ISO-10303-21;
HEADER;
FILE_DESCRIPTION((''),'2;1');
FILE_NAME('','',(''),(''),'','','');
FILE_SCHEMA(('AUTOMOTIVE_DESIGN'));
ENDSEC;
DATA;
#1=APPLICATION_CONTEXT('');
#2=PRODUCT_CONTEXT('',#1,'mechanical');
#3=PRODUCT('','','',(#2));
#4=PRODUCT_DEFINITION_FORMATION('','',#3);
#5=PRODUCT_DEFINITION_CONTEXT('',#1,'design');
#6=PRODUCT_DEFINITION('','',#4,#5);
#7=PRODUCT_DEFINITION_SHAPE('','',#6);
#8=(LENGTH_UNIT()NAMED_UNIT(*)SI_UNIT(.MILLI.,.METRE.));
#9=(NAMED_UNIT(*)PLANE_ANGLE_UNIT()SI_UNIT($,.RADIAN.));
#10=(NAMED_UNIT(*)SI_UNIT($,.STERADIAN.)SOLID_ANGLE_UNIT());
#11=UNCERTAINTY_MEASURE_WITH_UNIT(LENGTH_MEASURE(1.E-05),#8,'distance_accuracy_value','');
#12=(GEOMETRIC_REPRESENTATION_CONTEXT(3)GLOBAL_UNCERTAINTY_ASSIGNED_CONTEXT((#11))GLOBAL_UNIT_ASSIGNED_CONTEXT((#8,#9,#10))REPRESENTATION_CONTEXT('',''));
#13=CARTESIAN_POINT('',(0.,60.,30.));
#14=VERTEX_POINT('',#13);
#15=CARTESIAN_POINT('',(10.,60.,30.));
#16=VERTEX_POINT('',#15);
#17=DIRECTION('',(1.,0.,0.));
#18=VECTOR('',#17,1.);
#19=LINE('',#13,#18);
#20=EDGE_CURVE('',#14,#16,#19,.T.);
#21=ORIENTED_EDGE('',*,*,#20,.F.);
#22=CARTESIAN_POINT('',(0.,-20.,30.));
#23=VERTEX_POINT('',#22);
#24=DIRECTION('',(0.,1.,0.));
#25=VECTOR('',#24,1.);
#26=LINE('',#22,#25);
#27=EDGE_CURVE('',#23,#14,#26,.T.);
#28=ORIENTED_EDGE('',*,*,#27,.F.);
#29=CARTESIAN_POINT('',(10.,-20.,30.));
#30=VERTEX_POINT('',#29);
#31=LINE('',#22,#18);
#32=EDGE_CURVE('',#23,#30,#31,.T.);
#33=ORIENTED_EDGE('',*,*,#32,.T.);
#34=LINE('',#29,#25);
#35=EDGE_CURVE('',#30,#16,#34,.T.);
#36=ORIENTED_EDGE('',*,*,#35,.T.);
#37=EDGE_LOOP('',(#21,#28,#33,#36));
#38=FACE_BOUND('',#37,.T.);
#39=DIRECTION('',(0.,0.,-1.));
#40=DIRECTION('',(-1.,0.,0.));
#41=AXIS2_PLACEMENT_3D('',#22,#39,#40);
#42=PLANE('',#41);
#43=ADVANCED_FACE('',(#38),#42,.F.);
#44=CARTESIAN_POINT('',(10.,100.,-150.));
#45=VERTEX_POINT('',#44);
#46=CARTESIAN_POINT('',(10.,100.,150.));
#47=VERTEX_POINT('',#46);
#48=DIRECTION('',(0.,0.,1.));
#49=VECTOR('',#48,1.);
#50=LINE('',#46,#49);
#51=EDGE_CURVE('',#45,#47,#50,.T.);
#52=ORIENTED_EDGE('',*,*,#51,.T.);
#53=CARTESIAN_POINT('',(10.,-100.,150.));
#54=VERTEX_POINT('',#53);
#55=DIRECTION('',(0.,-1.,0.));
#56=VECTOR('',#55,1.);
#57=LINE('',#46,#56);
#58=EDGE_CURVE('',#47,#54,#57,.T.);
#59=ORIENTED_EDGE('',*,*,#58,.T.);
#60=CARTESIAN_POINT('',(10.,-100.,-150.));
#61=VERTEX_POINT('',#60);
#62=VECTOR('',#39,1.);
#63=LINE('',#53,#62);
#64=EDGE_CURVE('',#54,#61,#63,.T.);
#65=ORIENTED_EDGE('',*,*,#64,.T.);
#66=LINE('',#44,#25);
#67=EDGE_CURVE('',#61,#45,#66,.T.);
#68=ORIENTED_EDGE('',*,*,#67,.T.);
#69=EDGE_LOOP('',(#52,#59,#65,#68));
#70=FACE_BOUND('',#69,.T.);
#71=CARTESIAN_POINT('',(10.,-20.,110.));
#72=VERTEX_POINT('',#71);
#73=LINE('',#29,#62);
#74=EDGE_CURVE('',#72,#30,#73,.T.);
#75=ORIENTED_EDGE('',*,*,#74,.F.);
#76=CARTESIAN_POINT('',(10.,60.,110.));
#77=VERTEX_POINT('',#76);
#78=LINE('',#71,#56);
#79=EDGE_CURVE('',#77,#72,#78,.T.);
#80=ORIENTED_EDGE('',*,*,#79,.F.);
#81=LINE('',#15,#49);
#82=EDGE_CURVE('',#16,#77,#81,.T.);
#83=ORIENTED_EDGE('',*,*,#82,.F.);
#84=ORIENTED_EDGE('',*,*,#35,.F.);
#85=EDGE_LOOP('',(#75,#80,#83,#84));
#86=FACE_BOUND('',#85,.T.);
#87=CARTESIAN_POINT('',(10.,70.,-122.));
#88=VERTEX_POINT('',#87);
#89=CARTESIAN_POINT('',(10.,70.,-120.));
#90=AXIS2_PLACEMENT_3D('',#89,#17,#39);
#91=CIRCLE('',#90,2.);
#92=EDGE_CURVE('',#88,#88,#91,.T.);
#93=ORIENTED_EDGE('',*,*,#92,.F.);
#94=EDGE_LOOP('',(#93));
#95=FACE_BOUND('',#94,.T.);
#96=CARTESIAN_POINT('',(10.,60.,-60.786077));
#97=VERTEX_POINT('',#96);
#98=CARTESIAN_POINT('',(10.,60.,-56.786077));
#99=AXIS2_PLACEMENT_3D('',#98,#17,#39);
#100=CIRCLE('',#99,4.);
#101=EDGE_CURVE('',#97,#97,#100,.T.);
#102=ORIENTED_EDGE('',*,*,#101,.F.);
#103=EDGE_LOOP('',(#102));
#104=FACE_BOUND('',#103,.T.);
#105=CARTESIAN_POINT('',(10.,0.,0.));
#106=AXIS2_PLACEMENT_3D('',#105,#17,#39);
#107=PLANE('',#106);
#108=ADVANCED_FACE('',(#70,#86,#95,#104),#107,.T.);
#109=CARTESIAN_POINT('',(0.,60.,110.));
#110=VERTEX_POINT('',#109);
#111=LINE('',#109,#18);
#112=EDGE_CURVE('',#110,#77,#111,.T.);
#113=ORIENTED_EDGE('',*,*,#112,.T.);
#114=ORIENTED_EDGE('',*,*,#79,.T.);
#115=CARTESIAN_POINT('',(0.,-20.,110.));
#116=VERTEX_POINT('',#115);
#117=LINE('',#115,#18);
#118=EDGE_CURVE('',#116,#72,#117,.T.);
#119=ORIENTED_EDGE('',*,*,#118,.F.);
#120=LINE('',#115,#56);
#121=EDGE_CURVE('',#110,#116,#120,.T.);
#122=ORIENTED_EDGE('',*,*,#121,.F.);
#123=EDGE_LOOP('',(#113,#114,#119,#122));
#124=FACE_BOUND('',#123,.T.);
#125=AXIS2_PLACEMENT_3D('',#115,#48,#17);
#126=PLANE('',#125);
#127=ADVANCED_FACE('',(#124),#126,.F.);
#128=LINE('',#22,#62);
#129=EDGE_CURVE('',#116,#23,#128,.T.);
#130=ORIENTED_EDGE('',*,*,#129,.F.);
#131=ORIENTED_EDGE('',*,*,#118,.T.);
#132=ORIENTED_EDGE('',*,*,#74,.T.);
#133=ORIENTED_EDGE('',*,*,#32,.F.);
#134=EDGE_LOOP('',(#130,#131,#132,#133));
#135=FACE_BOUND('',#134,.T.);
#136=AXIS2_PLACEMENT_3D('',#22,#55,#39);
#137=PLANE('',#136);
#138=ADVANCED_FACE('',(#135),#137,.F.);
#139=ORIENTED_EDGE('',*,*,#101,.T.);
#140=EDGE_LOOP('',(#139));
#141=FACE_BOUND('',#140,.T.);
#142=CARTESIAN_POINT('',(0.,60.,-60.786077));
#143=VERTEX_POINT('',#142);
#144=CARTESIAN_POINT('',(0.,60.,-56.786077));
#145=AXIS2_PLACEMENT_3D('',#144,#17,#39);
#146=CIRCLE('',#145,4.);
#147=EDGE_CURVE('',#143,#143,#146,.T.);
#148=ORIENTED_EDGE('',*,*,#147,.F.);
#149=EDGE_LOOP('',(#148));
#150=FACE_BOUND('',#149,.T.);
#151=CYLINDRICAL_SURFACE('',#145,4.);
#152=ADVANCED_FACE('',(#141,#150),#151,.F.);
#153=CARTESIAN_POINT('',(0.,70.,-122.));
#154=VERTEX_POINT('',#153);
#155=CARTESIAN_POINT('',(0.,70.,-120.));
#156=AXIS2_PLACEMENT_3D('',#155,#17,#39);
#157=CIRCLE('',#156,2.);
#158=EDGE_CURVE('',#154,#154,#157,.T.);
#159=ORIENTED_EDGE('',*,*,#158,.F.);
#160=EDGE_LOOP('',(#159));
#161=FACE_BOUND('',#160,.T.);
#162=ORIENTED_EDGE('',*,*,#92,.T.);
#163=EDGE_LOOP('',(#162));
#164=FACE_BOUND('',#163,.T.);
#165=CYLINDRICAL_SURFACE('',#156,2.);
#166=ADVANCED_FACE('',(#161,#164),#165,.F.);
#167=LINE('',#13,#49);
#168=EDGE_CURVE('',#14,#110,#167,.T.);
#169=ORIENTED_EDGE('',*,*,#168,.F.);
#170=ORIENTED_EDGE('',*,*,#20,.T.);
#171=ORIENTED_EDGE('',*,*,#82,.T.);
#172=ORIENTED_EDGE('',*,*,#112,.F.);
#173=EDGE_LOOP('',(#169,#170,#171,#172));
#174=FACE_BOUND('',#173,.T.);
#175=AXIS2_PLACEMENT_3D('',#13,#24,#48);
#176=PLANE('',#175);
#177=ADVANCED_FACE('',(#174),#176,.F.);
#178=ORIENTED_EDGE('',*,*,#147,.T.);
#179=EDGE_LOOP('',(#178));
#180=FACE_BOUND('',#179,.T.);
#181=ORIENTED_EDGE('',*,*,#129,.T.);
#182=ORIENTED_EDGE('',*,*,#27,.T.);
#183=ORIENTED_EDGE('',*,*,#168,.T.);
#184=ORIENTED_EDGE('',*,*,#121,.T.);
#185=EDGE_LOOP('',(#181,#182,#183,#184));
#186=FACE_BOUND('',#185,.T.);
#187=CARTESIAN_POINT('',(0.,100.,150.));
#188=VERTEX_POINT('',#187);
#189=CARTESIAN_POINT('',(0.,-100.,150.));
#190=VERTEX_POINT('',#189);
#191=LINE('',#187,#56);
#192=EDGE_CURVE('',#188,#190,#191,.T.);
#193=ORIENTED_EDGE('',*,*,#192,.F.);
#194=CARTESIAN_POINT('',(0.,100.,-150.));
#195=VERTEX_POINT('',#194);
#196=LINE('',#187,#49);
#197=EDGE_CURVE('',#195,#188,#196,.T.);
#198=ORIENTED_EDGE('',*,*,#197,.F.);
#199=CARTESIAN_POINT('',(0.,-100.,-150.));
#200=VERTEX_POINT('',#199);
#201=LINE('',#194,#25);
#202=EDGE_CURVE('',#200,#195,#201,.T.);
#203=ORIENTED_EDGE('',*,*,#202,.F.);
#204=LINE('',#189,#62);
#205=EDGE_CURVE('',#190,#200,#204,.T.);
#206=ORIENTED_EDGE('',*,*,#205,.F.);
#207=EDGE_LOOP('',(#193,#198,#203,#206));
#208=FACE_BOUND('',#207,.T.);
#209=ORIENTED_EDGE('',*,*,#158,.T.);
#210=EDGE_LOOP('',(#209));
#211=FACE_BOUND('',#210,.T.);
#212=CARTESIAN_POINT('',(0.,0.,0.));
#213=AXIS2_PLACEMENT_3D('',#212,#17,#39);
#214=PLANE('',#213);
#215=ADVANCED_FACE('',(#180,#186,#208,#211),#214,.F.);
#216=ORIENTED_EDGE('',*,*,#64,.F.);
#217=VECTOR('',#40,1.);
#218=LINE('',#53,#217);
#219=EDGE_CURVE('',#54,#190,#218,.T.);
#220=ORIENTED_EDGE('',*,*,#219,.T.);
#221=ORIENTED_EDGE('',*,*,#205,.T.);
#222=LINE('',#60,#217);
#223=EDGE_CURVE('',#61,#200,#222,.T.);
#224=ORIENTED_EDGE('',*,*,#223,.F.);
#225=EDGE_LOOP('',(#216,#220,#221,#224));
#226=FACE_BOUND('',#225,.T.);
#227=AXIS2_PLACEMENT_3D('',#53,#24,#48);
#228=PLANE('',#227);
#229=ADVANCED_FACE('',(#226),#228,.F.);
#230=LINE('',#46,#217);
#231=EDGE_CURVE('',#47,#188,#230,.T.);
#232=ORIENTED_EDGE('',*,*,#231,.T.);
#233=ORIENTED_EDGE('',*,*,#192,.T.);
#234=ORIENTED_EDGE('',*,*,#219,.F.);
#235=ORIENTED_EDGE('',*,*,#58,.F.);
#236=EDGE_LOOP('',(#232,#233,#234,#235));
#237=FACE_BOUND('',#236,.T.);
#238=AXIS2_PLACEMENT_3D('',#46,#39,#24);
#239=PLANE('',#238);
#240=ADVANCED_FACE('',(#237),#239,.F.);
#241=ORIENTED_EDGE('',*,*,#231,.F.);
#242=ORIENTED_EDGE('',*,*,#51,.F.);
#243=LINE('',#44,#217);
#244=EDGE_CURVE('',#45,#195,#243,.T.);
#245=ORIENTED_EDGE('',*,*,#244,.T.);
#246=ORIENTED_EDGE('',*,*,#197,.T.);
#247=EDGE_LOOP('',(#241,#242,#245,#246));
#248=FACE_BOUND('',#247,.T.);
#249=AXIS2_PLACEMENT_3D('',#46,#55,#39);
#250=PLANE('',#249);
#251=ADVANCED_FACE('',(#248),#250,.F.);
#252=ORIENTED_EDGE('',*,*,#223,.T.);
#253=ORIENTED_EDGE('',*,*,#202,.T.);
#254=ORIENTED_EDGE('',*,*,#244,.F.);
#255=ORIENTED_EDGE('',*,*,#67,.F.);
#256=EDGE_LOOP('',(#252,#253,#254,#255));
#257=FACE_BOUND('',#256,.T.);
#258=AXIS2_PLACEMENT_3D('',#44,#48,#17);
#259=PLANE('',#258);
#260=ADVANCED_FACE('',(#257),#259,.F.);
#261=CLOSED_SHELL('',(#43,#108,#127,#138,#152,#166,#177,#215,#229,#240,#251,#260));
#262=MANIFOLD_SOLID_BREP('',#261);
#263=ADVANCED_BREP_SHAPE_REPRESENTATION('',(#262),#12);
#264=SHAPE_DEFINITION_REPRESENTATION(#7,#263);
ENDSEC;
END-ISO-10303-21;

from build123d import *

# Parameters (mm, degrees)
SKETCH1_W           = 300
SKETCH1_H           = 200
BOSS_EXTRUDE1_DEPTH = 10
SKETCH2_R           = 2
SKETCH2_R_2         = 4
CUT_EXTRUDE1_DEPTH  = 10
SKETCH3_W           = 80
SKETCH3_H           = 80
CUT_EXTRUDE2_DEPTH  = 10


with BuildPart() as part:
    # Sketch1 → Boss-Extrude1 (new body)
    with BuildSketch(Plane(origin=(0, 0, 0), x_dir=(0, 0, -1), z_dir=(1, 0, 0))):
        Rectangle(SKETCH1_W, SKETCH1_H)
    extrude(amount=BOSS_EXTRUDE1_DEPTH)

    # Sketch2 → Cut-Extrude1 (cut)
    with BuildSketch(Plane(origin=(10, 0, 0), x_dir=(0, 0, -1), z_dir=(1, 0, 0))):
        with Locations((120, 70)):
            Circle(SKETCH2_R)
        with Locations((56.786077483, 60)):
            Circle(SKETCH2_R_2)
    extrude(amount=-CUT_EXTRUDE1_DEPTH, mode=Mode.SUBTRACT)

    # Sketch3 → Cut-Extrude2 (cut)
    with BuildSketch(Plane(origin=(10, 0, 0), x_dir=(0, 0, -1), z_dir=(1, 0, 0))):
        with Locations((-70, 20)):
            Rectangle(SKETCH3_W, SKETCH3_H)
    extrude(amount=-CUT_EXTRUDE2_DEPTH, mode=Mode.SUBTRACT)


solid = part.part
